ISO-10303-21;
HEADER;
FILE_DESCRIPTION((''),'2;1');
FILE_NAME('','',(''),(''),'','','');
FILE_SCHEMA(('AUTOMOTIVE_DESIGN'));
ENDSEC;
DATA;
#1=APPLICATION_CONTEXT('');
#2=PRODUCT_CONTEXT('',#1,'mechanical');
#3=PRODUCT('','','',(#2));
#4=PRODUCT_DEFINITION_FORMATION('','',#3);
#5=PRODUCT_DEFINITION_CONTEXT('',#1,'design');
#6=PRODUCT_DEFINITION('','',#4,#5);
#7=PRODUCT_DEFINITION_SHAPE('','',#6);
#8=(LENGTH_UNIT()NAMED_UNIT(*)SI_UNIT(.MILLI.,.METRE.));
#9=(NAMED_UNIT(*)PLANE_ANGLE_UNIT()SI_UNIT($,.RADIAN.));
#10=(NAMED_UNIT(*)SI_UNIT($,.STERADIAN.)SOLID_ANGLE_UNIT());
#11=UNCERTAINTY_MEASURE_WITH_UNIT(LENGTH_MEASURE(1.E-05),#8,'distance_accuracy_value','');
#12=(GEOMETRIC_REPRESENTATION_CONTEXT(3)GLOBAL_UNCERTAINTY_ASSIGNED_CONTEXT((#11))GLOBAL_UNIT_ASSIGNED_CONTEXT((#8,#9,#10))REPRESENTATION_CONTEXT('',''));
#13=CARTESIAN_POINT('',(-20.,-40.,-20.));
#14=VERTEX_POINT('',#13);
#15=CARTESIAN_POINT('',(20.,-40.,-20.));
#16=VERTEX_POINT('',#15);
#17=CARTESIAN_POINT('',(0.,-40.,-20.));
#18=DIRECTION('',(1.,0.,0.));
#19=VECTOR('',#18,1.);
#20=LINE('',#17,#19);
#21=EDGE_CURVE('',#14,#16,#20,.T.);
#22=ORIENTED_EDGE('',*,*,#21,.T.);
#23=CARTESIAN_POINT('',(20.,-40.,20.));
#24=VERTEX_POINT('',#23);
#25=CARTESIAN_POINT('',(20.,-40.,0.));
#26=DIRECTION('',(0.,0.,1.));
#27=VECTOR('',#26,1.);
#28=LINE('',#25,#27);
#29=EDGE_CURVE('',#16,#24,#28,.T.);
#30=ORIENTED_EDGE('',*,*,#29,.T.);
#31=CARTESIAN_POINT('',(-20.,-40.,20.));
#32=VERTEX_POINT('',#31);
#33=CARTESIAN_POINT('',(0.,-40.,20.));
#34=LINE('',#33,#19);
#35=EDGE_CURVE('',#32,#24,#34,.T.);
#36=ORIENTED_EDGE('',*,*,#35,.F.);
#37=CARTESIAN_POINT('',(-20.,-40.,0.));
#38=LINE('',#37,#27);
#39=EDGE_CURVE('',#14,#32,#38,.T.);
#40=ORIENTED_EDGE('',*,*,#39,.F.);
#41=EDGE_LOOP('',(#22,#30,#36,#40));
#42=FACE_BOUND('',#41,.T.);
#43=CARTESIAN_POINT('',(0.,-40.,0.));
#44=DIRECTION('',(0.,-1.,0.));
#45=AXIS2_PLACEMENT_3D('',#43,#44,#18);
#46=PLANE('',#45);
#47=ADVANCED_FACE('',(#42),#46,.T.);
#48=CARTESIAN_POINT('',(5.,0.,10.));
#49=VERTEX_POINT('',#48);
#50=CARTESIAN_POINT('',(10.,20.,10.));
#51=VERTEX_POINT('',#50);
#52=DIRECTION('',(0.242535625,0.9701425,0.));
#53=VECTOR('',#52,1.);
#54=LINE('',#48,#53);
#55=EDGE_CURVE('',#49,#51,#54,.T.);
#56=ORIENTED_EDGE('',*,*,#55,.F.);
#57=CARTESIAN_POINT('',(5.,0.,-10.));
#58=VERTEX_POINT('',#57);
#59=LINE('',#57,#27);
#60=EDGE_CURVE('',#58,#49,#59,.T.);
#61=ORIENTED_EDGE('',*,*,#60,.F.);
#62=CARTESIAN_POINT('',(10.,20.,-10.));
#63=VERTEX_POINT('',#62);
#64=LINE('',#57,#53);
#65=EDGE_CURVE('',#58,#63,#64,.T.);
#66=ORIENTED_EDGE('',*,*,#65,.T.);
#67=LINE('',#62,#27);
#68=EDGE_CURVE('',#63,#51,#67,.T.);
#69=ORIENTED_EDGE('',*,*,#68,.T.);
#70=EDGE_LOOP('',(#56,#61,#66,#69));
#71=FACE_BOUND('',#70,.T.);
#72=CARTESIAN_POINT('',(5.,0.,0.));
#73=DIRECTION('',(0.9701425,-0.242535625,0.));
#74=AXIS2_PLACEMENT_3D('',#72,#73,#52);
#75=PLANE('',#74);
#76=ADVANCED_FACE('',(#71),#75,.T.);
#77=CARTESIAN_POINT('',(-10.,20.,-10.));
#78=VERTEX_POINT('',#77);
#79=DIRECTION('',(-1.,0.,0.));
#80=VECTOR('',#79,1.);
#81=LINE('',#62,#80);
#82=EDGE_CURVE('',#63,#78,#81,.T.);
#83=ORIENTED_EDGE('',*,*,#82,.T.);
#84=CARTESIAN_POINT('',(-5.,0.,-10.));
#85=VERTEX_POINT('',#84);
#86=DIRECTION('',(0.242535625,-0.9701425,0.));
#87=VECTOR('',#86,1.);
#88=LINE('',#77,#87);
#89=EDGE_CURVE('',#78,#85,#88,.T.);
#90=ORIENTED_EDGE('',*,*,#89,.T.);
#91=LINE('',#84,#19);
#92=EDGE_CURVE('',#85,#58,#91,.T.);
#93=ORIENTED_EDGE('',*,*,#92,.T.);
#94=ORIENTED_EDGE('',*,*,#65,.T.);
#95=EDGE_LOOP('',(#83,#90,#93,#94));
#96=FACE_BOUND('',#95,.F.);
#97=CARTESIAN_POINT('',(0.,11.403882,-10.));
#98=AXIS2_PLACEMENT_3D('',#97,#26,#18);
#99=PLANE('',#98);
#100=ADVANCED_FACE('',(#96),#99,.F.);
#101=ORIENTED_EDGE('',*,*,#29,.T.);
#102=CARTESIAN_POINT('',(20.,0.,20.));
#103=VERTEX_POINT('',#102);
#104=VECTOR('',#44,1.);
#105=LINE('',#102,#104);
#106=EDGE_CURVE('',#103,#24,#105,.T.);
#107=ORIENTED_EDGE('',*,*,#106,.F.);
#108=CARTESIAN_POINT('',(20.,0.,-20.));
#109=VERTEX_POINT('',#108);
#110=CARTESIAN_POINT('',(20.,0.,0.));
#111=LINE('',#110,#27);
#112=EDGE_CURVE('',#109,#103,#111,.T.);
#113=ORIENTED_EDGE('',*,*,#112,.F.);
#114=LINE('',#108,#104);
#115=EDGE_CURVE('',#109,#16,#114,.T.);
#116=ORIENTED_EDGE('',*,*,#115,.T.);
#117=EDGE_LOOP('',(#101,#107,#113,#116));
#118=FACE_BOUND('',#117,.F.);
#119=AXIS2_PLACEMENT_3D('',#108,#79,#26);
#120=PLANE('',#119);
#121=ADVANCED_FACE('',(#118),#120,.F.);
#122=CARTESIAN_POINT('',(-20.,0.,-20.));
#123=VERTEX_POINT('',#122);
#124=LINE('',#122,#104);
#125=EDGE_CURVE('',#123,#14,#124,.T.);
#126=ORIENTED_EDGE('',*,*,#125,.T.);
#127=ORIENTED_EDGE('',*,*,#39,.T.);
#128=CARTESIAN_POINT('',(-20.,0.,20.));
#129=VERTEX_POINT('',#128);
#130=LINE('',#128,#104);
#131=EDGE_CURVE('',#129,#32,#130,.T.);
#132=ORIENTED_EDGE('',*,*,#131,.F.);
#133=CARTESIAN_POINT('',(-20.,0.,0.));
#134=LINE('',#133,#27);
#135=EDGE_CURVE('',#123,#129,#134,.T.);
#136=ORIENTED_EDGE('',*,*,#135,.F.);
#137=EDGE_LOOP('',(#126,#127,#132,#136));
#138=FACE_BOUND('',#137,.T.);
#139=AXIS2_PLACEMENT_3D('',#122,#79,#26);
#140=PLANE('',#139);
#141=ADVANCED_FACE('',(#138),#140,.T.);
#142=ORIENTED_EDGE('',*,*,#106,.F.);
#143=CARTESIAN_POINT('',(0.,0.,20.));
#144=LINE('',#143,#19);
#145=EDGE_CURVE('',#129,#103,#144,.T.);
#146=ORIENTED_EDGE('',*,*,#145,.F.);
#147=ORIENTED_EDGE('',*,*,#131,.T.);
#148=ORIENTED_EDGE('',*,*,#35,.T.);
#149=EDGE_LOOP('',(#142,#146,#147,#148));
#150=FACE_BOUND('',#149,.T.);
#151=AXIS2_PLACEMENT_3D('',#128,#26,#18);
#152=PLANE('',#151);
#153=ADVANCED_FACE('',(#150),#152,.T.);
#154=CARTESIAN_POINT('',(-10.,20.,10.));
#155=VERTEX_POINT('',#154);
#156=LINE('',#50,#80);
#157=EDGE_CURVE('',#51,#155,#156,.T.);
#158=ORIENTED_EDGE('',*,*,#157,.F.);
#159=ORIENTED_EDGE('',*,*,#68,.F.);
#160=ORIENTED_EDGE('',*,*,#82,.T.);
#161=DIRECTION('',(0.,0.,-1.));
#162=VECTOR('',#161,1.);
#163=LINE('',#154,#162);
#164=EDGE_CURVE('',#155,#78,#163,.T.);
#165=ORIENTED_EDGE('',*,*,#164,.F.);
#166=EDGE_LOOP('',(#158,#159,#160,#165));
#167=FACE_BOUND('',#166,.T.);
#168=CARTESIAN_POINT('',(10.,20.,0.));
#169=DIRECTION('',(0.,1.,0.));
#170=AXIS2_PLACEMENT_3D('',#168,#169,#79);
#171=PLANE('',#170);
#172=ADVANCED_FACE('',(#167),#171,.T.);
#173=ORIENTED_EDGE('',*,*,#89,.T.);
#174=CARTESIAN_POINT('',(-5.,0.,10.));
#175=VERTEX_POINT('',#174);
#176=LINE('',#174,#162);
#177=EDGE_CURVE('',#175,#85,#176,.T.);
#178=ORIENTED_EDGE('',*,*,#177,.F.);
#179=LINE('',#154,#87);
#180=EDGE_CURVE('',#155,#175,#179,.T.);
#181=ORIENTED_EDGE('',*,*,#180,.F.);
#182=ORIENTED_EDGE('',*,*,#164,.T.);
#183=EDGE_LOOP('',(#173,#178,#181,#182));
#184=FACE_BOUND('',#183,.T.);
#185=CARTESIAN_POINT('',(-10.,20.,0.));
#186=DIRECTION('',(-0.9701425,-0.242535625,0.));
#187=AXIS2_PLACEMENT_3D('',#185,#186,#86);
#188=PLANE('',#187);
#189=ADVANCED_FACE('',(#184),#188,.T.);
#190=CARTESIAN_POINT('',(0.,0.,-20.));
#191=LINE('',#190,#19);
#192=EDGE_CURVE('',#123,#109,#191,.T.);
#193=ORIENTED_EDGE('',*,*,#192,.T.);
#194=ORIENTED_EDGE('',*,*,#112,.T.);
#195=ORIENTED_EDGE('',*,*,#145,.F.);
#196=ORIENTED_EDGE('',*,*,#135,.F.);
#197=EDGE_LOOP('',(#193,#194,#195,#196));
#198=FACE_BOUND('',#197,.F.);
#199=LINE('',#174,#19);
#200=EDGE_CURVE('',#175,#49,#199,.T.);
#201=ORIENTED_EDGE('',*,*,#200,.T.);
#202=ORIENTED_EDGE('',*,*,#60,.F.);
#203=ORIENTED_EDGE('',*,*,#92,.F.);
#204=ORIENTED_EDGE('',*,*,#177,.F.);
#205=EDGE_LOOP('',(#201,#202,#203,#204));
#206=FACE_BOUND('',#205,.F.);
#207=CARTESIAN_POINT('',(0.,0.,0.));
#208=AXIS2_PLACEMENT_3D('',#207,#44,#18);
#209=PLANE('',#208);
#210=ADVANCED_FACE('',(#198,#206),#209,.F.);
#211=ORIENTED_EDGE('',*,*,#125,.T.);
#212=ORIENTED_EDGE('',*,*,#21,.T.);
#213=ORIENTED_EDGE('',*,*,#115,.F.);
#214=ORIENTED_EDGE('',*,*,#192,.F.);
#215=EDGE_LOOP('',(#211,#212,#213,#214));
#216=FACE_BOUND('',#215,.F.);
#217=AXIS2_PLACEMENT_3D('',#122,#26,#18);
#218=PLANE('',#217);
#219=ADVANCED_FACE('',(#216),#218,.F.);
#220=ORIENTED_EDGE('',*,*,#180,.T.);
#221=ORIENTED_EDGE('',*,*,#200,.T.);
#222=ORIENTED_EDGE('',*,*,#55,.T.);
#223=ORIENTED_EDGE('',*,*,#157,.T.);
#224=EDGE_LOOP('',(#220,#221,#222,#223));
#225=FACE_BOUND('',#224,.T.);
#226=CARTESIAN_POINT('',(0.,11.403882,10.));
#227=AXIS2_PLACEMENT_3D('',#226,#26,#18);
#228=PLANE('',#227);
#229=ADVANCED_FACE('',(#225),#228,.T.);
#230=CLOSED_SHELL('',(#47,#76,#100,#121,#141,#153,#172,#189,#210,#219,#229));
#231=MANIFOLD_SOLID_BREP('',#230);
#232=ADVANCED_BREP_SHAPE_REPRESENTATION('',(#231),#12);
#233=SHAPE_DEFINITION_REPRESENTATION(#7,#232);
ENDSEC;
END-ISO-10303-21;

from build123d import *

# Parameters (mm, degrees)
F0_W     = 40
F0_H     = 40
F1_DEPTH = 40
F3_DEPTH = 10


with BuildPart() as f1:
    # F0 (on Front) → F1 (new body)
    with BuildSketch(Plane.XZ):
        Rectangle(F0_W, F0_H)
    extrude(amount=F1_DEPTH)

    # F2 (on Top) → F3 (join, symmetric)
    with BuildSketch(Plane.XY):
        Polygon((-5, 0), (5, 0), (10, 20), (-10, 20), align=None)
    extrude(amount=F3_DEPTH, both=True)


solid = f1.part
